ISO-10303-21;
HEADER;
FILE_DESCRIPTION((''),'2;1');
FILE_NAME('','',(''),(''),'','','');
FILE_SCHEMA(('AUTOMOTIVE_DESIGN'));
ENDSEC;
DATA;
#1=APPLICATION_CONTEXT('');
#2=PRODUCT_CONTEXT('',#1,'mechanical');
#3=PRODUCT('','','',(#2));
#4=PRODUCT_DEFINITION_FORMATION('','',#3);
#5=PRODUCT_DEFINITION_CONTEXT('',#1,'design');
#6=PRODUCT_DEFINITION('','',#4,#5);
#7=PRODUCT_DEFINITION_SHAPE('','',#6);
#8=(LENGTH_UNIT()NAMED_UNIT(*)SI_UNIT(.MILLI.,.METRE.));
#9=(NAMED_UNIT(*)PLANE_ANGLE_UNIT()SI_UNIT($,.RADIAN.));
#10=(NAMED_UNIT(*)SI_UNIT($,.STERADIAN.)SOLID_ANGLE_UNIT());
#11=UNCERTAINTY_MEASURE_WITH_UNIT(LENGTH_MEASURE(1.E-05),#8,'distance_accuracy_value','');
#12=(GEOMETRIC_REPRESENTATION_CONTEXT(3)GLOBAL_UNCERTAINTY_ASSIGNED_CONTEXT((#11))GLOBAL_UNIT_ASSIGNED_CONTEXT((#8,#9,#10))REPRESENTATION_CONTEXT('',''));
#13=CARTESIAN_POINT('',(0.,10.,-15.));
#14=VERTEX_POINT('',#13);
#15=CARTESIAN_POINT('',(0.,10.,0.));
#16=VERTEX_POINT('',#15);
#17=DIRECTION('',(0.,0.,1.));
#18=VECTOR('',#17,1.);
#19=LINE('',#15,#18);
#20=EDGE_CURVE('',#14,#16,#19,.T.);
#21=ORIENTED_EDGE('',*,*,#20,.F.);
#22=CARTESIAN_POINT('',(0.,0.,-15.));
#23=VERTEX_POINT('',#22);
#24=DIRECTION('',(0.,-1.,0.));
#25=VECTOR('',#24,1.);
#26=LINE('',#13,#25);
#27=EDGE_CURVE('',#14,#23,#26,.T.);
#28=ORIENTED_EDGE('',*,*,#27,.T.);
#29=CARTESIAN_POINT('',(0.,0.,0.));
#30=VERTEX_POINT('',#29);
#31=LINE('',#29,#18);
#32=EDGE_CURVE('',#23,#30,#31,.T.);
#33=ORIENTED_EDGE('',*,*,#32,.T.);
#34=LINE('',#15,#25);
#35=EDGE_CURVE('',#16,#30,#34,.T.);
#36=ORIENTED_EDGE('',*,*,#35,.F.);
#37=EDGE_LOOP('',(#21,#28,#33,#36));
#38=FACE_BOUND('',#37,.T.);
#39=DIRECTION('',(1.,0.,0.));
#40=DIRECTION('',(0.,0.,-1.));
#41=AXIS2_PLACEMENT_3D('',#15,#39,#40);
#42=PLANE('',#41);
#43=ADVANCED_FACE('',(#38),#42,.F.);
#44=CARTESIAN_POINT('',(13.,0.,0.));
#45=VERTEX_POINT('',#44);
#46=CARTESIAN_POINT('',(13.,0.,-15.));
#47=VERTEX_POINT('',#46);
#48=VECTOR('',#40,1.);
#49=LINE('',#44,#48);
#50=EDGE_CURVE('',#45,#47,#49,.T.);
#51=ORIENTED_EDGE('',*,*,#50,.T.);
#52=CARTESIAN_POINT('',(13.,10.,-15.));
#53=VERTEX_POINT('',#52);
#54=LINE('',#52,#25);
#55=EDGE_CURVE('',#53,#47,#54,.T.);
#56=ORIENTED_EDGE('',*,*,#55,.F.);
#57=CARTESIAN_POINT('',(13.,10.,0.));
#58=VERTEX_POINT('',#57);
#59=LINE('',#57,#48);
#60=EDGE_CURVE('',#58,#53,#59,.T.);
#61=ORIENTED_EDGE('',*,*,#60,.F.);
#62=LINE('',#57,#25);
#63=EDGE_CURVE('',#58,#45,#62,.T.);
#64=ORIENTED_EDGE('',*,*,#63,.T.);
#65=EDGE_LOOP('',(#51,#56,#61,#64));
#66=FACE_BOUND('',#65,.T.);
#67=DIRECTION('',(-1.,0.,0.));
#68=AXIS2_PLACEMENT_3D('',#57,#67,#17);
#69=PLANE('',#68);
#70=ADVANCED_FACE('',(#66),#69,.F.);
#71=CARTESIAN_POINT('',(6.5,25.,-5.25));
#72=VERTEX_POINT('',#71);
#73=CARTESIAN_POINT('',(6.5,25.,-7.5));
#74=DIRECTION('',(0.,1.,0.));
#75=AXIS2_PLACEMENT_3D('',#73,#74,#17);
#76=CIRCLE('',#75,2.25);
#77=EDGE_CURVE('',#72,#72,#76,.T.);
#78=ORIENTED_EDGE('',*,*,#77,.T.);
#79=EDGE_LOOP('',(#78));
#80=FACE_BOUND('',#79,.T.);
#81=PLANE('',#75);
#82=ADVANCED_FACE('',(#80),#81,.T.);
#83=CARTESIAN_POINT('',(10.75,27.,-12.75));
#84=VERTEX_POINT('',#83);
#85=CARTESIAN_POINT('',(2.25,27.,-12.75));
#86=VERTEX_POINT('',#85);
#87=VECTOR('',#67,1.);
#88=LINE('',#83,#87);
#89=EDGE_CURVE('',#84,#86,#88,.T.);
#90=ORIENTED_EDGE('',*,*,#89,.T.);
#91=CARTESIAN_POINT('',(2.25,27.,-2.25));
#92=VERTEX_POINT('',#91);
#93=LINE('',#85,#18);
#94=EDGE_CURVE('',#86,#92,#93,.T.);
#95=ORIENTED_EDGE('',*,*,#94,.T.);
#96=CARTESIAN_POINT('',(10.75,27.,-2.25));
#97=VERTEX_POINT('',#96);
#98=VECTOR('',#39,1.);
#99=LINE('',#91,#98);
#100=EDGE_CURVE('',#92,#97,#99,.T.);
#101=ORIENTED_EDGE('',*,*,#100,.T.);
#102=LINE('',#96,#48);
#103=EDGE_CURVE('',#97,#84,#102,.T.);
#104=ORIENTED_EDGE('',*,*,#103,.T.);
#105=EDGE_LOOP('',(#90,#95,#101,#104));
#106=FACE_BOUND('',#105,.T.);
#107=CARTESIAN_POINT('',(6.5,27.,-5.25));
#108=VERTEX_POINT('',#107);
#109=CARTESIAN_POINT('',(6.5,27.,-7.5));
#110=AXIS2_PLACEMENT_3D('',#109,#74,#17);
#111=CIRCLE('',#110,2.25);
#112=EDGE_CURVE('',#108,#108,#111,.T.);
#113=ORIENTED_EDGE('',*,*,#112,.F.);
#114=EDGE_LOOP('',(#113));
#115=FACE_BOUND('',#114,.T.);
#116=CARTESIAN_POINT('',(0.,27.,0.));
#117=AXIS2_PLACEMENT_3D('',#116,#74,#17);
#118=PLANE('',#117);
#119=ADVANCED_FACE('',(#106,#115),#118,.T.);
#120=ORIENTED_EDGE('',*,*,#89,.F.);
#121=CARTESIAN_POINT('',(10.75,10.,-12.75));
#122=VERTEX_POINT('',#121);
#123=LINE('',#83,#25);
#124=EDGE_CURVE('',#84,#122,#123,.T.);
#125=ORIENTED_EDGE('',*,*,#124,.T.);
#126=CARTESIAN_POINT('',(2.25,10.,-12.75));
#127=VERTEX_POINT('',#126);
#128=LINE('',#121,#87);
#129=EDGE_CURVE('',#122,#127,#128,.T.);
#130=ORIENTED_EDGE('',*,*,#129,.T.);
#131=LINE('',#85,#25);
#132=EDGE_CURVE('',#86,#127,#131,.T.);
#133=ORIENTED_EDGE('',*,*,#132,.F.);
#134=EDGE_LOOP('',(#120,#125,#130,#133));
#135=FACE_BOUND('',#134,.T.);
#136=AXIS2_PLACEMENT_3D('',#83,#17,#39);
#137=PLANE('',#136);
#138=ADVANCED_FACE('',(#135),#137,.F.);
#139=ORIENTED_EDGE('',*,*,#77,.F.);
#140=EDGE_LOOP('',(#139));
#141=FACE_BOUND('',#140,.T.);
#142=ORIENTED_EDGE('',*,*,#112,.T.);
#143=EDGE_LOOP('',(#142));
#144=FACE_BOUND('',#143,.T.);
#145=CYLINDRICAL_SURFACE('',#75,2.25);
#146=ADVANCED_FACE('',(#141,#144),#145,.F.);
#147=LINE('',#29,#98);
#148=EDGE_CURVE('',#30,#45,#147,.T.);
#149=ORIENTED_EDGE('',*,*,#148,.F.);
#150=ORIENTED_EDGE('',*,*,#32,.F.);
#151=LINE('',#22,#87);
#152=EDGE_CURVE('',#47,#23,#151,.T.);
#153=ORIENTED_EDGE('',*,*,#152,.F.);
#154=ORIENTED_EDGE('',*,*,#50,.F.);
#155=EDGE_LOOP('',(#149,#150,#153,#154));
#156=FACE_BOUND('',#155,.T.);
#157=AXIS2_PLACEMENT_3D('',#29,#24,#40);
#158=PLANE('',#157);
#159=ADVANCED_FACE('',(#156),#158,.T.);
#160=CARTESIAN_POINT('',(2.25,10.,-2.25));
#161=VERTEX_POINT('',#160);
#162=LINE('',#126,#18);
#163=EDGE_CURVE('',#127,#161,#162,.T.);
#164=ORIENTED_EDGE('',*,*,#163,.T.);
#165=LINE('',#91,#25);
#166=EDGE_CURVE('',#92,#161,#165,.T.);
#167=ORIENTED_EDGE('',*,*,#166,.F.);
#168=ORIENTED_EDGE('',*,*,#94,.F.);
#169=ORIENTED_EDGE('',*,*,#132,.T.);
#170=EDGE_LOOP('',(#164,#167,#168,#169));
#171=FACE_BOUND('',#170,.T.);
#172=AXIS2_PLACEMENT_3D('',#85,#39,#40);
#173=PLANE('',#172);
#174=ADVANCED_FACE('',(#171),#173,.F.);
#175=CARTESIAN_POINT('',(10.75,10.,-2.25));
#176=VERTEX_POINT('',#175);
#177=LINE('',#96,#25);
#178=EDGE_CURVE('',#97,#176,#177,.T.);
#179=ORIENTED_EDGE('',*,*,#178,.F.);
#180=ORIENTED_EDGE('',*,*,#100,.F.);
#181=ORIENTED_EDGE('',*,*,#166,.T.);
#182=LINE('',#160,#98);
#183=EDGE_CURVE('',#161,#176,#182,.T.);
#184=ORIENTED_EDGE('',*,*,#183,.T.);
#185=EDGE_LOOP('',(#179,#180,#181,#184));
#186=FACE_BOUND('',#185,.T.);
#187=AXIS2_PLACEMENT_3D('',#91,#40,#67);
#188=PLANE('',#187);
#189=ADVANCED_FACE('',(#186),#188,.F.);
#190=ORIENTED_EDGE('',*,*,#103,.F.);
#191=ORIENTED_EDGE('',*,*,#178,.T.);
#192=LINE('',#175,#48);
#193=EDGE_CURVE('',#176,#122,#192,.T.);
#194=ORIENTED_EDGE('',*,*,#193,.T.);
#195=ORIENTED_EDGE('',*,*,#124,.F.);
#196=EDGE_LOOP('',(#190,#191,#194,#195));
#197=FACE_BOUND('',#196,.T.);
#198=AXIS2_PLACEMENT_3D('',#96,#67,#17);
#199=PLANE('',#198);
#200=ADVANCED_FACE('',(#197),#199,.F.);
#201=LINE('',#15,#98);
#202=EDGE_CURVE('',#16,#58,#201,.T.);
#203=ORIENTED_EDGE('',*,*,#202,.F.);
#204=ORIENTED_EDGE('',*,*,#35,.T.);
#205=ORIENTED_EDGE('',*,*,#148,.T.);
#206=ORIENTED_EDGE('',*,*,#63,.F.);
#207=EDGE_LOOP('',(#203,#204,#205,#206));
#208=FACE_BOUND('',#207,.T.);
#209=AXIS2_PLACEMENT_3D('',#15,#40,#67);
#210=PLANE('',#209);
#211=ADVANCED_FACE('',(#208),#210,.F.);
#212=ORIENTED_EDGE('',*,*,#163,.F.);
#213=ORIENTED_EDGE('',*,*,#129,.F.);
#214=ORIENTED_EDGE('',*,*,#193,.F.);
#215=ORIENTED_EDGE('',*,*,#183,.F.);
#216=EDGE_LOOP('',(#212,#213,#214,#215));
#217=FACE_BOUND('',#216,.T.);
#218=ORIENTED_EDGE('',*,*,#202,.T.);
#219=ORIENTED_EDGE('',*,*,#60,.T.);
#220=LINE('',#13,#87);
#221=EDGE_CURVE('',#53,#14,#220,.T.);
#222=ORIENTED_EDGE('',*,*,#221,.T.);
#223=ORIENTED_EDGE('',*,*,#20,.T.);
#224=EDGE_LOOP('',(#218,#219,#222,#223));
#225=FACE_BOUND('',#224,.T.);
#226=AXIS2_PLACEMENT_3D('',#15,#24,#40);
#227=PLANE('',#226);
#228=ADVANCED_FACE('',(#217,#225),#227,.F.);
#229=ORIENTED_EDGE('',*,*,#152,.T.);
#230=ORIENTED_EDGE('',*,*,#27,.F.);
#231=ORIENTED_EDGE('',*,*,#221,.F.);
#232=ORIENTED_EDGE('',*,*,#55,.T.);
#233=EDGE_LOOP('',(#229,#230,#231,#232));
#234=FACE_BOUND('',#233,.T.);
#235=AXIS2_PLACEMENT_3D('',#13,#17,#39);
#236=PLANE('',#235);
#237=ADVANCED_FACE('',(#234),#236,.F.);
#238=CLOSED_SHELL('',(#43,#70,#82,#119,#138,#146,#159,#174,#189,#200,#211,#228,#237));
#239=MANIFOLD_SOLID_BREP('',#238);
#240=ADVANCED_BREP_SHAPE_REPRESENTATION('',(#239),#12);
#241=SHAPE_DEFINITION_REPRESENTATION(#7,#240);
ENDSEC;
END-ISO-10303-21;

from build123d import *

# Parameters (mm, degrees)
SKETCH1_W           = 13
SKETCH1_H           = 15
BOSS_EXTRUDE1_DEPTH = 10
SKETCH2_W           = 8.5
SKETCH2_H           = 10.5
BOSS_EXTRUDE2_DEPTH = 17
SKETCH3_R           = 2.25
CUT_EXTRUDE1_DEPTH  = 2


with BuildPart() as part:
    # Sketch1 → Boss-Extrude1 (new body)
    with BuildSketch(Plane(origin=(0, 0, 0), x_dir=(1, 0, 0), z_dir=(0, 1, 0))):
        with Locations((6.5, 7.5)):
            Rectangle(SKETCH1_W, SKETCH1_H)
    extrude(amount=BOSS_EXTRUDE1_DEPTH)

    # Sketch2 → Boss-Extrude2 (add)
    with BuildSketch(Plane(origin=(0, 10, 0), x_dir=(1, 0, 0), z_dir=(0, 1, 0))):
        with Locations((6.5, 7.5)):
            Rectangle(SKETCH2_W, SKETCH2_H)
    extrude(amount=BOSS_EXTRUDE2_DEPTH)

    # Sketch3 → Cut-Extrude1 (cut)
    with BuildSketch(Plane(origin=(0, 27, 0), x_dir=(1, 0, 0), z_dir=(0, 1, 0))):
        with Locations((6.5, 7.5)):
            Circle(SKETCH3_R)
    extrude(amount=-CUT_EXTRUDE1_DEPTH, mode=Mode.SUBTRACT)


solid = part.part
